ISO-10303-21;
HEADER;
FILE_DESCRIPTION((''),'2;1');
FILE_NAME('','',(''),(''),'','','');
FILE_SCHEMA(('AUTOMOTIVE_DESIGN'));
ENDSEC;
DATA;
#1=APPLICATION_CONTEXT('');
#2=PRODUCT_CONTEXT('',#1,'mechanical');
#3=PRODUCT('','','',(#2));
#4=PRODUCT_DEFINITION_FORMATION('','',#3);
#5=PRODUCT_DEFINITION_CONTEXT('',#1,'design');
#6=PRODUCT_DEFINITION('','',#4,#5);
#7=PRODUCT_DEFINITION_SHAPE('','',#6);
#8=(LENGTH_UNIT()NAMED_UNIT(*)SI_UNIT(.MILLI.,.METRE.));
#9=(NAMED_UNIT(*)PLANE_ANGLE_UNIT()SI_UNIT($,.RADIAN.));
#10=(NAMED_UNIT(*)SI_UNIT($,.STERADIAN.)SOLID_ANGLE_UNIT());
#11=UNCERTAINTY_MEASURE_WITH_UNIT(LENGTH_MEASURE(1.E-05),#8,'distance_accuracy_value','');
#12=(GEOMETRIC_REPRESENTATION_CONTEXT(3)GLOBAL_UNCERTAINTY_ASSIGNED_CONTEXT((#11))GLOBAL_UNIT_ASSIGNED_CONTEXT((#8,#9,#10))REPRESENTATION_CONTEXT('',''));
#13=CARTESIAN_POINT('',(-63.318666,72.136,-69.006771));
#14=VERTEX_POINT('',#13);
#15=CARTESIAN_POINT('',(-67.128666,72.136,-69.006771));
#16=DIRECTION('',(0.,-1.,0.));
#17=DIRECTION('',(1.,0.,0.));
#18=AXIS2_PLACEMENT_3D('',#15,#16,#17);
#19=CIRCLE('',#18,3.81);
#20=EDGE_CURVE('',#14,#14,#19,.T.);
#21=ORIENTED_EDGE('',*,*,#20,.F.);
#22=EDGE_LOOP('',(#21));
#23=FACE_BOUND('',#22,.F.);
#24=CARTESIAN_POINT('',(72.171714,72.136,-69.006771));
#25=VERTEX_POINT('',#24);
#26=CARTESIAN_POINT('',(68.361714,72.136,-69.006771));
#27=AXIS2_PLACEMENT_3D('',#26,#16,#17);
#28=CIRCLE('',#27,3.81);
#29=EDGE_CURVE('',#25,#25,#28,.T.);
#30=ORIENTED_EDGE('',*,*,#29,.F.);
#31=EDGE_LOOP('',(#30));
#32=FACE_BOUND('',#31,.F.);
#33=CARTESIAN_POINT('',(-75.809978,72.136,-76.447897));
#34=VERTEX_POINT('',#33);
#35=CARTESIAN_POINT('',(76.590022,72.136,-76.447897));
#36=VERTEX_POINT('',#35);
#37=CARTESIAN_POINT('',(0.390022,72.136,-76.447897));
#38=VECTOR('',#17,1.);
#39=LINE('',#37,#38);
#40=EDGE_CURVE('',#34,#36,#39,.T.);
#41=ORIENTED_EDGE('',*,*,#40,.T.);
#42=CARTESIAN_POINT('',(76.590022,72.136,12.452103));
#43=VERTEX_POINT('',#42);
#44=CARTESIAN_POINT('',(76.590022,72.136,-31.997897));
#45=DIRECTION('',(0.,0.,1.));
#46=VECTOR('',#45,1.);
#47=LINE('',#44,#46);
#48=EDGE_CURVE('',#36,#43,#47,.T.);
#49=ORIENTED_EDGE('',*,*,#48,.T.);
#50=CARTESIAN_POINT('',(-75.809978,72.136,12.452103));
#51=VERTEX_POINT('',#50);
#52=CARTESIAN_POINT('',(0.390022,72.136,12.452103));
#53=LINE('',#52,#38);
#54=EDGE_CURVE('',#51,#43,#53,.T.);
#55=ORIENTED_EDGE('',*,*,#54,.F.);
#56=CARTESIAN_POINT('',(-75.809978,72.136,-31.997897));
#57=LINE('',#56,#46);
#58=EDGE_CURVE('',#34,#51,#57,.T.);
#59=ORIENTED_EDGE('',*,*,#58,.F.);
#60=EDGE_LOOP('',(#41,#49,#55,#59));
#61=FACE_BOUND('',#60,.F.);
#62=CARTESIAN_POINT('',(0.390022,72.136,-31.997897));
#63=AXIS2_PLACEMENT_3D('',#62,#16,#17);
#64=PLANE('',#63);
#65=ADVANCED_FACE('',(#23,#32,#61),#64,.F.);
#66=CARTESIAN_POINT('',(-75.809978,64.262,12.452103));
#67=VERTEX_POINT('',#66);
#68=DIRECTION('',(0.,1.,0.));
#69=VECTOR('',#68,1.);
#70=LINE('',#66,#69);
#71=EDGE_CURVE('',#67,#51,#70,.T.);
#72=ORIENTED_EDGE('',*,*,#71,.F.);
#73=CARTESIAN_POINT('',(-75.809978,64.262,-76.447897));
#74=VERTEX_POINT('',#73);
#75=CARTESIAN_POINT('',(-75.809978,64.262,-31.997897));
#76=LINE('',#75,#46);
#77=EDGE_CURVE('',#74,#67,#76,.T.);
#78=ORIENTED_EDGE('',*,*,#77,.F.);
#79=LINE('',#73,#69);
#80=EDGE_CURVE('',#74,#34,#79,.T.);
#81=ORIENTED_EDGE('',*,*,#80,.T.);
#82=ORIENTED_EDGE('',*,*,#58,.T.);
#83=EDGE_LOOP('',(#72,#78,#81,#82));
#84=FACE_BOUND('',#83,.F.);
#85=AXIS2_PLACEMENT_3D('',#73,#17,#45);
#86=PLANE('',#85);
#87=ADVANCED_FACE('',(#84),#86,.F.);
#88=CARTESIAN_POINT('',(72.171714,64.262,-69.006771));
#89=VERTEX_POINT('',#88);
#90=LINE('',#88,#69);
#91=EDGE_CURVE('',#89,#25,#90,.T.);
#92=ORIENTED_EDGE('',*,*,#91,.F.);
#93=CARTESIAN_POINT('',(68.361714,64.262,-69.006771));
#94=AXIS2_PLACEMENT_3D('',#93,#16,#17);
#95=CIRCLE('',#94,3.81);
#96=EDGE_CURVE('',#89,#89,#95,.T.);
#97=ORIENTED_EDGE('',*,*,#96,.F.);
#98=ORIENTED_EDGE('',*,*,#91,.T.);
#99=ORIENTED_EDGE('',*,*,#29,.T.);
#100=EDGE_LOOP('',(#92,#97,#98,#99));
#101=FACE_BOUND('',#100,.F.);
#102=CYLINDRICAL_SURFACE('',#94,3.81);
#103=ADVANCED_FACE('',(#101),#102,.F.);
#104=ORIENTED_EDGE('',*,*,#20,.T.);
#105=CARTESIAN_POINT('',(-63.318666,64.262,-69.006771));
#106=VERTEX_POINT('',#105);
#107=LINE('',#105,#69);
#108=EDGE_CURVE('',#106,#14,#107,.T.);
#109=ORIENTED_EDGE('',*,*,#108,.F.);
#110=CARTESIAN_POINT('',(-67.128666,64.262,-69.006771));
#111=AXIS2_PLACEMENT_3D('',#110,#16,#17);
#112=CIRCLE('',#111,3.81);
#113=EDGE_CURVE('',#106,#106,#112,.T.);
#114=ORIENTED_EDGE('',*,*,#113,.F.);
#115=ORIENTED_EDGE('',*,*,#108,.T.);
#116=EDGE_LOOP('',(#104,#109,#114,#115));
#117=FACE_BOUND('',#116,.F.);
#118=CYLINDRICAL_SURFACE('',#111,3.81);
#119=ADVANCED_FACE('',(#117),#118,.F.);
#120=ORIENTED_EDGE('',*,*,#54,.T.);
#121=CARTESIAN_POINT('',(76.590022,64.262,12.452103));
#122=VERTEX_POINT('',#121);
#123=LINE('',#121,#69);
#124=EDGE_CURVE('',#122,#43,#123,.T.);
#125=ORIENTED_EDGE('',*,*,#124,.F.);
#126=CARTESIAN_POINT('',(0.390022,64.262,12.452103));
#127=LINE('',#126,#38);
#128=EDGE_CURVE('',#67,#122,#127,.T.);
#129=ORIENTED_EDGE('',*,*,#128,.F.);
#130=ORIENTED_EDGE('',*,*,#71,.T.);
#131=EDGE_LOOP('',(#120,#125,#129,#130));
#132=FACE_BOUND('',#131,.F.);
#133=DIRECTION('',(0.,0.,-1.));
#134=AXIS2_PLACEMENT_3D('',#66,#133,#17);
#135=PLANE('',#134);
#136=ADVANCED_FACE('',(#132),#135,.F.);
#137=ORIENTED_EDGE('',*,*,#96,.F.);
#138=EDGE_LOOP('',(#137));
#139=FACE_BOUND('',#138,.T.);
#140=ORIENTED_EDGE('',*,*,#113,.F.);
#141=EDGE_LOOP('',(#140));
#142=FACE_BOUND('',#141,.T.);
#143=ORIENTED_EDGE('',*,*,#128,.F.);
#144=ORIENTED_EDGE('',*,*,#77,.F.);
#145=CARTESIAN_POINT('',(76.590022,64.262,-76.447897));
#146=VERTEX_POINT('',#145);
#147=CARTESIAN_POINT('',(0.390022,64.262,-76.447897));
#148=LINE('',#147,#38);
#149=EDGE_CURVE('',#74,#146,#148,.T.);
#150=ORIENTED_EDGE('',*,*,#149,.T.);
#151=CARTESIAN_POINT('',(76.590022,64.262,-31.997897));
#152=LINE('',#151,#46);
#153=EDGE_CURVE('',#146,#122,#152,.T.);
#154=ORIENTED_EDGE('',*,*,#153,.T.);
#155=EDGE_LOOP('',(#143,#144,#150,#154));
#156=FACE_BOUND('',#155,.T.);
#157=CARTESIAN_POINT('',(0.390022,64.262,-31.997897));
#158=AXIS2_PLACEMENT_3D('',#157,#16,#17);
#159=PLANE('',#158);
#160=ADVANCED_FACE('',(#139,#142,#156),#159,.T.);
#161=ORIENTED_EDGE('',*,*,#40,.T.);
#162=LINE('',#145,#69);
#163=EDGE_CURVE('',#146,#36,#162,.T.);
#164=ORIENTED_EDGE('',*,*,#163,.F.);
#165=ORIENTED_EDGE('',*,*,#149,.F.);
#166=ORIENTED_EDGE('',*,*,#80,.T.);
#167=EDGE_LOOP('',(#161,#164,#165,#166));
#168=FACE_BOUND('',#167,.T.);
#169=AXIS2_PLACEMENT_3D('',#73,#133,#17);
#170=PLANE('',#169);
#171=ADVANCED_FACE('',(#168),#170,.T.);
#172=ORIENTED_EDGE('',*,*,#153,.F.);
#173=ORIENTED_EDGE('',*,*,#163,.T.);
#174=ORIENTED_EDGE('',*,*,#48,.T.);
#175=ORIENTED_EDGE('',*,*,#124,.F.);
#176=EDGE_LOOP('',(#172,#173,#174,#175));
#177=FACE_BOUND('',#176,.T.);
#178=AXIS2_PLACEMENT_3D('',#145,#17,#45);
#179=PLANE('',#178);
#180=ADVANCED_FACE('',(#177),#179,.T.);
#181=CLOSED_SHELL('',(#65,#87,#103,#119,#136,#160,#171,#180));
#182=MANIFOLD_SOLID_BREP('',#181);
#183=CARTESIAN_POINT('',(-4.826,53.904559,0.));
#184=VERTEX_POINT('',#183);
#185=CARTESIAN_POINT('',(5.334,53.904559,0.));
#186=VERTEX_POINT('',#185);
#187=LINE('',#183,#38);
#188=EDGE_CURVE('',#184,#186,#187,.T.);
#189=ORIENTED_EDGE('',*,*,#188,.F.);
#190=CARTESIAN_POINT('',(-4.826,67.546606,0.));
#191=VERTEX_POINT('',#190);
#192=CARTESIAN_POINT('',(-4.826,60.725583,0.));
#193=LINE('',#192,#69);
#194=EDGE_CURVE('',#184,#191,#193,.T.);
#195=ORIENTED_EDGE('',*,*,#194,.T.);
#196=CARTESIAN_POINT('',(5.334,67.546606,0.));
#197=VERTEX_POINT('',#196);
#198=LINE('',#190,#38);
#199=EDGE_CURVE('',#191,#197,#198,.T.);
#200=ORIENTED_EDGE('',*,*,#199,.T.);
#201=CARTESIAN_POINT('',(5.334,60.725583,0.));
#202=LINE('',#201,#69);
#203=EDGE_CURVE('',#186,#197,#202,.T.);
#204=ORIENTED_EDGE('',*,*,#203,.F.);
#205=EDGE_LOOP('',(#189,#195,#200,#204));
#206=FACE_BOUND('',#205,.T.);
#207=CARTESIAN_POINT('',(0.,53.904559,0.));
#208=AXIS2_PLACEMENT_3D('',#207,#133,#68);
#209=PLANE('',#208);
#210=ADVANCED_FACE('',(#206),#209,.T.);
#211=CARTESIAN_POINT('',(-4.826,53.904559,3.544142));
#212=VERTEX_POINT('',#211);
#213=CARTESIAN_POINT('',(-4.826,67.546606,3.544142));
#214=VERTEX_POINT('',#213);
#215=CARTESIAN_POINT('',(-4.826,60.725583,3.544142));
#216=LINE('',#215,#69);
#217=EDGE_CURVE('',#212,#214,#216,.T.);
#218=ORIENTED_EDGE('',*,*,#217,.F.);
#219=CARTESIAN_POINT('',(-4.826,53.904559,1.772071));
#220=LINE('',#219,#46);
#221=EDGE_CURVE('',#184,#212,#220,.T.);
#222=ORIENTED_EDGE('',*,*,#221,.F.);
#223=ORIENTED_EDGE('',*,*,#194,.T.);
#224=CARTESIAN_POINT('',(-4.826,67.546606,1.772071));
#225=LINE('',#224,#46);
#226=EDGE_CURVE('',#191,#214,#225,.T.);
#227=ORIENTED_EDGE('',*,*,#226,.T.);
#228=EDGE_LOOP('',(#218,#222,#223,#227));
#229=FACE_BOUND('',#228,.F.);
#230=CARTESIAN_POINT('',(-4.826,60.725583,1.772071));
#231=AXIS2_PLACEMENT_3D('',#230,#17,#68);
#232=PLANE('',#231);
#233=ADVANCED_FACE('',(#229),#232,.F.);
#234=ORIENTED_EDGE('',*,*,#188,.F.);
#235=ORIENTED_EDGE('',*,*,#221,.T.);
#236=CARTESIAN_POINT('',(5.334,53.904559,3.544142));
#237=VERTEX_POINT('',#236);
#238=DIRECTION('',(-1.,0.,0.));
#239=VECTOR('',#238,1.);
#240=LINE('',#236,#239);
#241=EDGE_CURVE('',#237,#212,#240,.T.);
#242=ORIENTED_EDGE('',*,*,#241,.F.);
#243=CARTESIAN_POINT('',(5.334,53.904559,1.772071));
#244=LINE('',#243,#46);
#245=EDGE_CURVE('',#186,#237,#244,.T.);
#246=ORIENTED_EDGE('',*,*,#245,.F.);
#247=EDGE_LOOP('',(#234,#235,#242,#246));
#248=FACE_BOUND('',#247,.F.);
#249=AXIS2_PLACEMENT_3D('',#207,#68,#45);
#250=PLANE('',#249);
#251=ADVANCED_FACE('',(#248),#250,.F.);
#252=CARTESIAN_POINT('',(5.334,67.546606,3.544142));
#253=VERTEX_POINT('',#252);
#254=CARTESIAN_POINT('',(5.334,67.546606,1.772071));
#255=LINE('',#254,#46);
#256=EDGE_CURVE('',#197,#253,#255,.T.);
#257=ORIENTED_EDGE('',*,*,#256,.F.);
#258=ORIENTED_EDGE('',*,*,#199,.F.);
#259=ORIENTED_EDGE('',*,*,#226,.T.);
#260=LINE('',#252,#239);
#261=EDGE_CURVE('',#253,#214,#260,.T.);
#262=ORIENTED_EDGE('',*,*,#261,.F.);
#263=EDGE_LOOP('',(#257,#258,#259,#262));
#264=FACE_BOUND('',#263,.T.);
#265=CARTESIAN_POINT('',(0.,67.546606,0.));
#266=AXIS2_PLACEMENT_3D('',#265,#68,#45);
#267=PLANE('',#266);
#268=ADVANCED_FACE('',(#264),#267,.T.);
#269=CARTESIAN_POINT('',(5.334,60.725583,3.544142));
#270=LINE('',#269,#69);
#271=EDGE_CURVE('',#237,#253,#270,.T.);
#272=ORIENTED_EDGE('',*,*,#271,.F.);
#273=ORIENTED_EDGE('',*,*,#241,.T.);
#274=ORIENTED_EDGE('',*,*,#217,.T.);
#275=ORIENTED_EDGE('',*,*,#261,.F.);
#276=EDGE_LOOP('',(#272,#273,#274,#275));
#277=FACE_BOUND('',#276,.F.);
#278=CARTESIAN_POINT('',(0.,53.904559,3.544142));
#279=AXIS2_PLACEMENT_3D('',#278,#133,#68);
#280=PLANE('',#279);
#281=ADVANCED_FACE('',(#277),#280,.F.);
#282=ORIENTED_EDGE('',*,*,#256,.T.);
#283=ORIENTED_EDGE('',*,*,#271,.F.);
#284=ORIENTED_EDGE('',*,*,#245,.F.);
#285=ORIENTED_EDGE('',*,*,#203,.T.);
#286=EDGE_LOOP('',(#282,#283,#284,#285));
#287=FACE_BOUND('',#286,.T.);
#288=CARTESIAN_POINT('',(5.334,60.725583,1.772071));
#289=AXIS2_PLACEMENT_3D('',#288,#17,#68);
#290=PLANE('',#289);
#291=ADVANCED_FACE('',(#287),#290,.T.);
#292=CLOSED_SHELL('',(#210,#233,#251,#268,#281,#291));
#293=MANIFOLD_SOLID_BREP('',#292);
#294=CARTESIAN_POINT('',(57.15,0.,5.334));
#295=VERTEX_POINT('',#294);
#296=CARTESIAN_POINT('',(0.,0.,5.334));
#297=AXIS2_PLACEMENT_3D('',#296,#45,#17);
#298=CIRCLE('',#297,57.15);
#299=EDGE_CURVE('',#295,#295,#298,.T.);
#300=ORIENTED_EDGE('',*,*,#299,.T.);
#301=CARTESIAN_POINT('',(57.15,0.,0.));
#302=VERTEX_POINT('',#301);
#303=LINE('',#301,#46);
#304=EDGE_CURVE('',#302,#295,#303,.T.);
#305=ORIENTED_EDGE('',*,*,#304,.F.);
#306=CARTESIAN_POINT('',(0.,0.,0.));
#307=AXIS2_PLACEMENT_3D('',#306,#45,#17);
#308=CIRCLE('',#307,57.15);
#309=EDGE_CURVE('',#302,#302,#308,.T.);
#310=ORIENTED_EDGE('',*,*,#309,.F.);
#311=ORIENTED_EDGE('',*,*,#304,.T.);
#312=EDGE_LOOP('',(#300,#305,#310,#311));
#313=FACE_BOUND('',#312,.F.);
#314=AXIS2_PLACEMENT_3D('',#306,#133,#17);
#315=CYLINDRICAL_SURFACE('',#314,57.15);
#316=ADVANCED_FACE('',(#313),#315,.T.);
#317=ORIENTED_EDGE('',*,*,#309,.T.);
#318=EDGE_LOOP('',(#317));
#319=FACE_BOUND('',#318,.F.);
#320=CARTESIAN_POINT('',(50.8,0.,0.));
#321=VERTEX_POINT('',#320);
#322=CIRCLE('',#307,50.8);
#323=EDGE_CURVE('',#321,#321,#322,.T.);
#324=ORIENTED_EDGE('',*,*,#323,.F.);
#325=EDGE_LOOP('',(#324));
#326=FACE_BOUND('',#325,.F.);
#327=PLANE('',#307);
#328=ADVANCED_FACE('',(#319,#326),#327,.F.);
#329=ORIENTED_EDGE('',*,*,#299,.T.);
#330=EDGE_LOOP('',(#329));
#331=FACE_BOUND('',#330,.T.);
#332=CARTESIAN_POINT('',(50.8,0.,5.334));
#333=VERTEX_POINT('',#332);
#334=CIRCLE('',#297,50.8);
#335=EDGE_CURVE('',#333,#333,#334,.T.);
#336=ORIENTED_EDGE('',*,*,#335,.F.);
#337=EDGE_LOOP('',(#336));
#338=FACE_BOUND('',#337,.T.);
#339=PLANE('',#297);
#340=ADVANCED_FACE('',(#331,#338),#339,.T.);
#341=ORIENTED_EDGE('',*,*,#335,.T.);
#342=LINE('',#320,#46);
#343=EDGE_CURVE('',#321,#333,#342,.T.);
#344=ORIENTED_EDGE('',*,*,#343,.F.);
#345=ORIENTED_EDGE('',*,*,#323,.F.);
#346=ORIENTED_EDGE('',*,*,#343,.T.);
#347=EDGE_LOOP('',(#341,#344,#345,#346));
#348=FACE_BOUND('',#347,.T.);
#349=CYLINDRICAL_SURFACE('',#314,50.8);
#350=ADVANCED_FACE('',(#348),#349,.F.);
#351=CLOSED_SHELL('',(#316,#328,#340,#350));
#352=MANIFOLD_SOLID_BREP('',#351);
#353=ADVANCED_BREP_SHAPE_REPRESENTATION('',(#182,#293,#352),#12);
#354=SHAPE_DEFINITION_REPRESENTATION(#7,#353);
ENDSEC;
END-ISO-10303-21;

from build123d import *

# Parameters (mm, degrees)
F0_R          = 57.15
F0_R_2        = 50.8
F1_DEPTH      = 5.334
F3_START      = -64.262
F2_W          = 152.4
F2_H          = 88.9
F2_R          = 3.81
F3_DEPTH      = 7.874
F4_W          = 13.6420466006
F4_H          = 3.5441415384
F5_DEPTH      = 5.334
F5_DEPTH_BACK = 4.826


with BuildPart() as f1:
    # F0 (on Top) → F1 (new body)
    with BuildSketch(Plane.XY):
        Circle(F0_R)
        Circle(F0_R_2, mode=Mode.SUBTRACT)
    extrude(amount=F1_DEPTH)


with BuildPart() as f3:
    # F2 (on Front) → F3 (new body)
    with BuildSketch(Plane.XZ.offset(F3_START)):
        with Locations((0.3900220513, -31.9978966594)):
            Rectangle(F2_W, F2_H)
        with Locations((-67.1286657453, -69.0067708492)):
            Circle(F2_R, mode=Mode.SUBTRACT)
        with Locations((68.3617144823, -69.0067708492)):
            Circle(F2_R, mode=Mode.SUBTRACT)
    extrude(amount=-F3_DEPTH)


with BuildPart() as f5:
    # F4 (on Right) → F5 (new body, two sides)
    with BuildSketch(Plane.YZ) as f5_sk:
        with Locations((60.7255827636, 1.7720707692)):
            Rectangle(F4_W, F4_H)
    extrude(amount=F5_DEPTH)
    extrude(f5_sk.sketch, amount=-F5_DEPTH_BACK)


solid = Compound([f1.part, f3.part, f5.part])
